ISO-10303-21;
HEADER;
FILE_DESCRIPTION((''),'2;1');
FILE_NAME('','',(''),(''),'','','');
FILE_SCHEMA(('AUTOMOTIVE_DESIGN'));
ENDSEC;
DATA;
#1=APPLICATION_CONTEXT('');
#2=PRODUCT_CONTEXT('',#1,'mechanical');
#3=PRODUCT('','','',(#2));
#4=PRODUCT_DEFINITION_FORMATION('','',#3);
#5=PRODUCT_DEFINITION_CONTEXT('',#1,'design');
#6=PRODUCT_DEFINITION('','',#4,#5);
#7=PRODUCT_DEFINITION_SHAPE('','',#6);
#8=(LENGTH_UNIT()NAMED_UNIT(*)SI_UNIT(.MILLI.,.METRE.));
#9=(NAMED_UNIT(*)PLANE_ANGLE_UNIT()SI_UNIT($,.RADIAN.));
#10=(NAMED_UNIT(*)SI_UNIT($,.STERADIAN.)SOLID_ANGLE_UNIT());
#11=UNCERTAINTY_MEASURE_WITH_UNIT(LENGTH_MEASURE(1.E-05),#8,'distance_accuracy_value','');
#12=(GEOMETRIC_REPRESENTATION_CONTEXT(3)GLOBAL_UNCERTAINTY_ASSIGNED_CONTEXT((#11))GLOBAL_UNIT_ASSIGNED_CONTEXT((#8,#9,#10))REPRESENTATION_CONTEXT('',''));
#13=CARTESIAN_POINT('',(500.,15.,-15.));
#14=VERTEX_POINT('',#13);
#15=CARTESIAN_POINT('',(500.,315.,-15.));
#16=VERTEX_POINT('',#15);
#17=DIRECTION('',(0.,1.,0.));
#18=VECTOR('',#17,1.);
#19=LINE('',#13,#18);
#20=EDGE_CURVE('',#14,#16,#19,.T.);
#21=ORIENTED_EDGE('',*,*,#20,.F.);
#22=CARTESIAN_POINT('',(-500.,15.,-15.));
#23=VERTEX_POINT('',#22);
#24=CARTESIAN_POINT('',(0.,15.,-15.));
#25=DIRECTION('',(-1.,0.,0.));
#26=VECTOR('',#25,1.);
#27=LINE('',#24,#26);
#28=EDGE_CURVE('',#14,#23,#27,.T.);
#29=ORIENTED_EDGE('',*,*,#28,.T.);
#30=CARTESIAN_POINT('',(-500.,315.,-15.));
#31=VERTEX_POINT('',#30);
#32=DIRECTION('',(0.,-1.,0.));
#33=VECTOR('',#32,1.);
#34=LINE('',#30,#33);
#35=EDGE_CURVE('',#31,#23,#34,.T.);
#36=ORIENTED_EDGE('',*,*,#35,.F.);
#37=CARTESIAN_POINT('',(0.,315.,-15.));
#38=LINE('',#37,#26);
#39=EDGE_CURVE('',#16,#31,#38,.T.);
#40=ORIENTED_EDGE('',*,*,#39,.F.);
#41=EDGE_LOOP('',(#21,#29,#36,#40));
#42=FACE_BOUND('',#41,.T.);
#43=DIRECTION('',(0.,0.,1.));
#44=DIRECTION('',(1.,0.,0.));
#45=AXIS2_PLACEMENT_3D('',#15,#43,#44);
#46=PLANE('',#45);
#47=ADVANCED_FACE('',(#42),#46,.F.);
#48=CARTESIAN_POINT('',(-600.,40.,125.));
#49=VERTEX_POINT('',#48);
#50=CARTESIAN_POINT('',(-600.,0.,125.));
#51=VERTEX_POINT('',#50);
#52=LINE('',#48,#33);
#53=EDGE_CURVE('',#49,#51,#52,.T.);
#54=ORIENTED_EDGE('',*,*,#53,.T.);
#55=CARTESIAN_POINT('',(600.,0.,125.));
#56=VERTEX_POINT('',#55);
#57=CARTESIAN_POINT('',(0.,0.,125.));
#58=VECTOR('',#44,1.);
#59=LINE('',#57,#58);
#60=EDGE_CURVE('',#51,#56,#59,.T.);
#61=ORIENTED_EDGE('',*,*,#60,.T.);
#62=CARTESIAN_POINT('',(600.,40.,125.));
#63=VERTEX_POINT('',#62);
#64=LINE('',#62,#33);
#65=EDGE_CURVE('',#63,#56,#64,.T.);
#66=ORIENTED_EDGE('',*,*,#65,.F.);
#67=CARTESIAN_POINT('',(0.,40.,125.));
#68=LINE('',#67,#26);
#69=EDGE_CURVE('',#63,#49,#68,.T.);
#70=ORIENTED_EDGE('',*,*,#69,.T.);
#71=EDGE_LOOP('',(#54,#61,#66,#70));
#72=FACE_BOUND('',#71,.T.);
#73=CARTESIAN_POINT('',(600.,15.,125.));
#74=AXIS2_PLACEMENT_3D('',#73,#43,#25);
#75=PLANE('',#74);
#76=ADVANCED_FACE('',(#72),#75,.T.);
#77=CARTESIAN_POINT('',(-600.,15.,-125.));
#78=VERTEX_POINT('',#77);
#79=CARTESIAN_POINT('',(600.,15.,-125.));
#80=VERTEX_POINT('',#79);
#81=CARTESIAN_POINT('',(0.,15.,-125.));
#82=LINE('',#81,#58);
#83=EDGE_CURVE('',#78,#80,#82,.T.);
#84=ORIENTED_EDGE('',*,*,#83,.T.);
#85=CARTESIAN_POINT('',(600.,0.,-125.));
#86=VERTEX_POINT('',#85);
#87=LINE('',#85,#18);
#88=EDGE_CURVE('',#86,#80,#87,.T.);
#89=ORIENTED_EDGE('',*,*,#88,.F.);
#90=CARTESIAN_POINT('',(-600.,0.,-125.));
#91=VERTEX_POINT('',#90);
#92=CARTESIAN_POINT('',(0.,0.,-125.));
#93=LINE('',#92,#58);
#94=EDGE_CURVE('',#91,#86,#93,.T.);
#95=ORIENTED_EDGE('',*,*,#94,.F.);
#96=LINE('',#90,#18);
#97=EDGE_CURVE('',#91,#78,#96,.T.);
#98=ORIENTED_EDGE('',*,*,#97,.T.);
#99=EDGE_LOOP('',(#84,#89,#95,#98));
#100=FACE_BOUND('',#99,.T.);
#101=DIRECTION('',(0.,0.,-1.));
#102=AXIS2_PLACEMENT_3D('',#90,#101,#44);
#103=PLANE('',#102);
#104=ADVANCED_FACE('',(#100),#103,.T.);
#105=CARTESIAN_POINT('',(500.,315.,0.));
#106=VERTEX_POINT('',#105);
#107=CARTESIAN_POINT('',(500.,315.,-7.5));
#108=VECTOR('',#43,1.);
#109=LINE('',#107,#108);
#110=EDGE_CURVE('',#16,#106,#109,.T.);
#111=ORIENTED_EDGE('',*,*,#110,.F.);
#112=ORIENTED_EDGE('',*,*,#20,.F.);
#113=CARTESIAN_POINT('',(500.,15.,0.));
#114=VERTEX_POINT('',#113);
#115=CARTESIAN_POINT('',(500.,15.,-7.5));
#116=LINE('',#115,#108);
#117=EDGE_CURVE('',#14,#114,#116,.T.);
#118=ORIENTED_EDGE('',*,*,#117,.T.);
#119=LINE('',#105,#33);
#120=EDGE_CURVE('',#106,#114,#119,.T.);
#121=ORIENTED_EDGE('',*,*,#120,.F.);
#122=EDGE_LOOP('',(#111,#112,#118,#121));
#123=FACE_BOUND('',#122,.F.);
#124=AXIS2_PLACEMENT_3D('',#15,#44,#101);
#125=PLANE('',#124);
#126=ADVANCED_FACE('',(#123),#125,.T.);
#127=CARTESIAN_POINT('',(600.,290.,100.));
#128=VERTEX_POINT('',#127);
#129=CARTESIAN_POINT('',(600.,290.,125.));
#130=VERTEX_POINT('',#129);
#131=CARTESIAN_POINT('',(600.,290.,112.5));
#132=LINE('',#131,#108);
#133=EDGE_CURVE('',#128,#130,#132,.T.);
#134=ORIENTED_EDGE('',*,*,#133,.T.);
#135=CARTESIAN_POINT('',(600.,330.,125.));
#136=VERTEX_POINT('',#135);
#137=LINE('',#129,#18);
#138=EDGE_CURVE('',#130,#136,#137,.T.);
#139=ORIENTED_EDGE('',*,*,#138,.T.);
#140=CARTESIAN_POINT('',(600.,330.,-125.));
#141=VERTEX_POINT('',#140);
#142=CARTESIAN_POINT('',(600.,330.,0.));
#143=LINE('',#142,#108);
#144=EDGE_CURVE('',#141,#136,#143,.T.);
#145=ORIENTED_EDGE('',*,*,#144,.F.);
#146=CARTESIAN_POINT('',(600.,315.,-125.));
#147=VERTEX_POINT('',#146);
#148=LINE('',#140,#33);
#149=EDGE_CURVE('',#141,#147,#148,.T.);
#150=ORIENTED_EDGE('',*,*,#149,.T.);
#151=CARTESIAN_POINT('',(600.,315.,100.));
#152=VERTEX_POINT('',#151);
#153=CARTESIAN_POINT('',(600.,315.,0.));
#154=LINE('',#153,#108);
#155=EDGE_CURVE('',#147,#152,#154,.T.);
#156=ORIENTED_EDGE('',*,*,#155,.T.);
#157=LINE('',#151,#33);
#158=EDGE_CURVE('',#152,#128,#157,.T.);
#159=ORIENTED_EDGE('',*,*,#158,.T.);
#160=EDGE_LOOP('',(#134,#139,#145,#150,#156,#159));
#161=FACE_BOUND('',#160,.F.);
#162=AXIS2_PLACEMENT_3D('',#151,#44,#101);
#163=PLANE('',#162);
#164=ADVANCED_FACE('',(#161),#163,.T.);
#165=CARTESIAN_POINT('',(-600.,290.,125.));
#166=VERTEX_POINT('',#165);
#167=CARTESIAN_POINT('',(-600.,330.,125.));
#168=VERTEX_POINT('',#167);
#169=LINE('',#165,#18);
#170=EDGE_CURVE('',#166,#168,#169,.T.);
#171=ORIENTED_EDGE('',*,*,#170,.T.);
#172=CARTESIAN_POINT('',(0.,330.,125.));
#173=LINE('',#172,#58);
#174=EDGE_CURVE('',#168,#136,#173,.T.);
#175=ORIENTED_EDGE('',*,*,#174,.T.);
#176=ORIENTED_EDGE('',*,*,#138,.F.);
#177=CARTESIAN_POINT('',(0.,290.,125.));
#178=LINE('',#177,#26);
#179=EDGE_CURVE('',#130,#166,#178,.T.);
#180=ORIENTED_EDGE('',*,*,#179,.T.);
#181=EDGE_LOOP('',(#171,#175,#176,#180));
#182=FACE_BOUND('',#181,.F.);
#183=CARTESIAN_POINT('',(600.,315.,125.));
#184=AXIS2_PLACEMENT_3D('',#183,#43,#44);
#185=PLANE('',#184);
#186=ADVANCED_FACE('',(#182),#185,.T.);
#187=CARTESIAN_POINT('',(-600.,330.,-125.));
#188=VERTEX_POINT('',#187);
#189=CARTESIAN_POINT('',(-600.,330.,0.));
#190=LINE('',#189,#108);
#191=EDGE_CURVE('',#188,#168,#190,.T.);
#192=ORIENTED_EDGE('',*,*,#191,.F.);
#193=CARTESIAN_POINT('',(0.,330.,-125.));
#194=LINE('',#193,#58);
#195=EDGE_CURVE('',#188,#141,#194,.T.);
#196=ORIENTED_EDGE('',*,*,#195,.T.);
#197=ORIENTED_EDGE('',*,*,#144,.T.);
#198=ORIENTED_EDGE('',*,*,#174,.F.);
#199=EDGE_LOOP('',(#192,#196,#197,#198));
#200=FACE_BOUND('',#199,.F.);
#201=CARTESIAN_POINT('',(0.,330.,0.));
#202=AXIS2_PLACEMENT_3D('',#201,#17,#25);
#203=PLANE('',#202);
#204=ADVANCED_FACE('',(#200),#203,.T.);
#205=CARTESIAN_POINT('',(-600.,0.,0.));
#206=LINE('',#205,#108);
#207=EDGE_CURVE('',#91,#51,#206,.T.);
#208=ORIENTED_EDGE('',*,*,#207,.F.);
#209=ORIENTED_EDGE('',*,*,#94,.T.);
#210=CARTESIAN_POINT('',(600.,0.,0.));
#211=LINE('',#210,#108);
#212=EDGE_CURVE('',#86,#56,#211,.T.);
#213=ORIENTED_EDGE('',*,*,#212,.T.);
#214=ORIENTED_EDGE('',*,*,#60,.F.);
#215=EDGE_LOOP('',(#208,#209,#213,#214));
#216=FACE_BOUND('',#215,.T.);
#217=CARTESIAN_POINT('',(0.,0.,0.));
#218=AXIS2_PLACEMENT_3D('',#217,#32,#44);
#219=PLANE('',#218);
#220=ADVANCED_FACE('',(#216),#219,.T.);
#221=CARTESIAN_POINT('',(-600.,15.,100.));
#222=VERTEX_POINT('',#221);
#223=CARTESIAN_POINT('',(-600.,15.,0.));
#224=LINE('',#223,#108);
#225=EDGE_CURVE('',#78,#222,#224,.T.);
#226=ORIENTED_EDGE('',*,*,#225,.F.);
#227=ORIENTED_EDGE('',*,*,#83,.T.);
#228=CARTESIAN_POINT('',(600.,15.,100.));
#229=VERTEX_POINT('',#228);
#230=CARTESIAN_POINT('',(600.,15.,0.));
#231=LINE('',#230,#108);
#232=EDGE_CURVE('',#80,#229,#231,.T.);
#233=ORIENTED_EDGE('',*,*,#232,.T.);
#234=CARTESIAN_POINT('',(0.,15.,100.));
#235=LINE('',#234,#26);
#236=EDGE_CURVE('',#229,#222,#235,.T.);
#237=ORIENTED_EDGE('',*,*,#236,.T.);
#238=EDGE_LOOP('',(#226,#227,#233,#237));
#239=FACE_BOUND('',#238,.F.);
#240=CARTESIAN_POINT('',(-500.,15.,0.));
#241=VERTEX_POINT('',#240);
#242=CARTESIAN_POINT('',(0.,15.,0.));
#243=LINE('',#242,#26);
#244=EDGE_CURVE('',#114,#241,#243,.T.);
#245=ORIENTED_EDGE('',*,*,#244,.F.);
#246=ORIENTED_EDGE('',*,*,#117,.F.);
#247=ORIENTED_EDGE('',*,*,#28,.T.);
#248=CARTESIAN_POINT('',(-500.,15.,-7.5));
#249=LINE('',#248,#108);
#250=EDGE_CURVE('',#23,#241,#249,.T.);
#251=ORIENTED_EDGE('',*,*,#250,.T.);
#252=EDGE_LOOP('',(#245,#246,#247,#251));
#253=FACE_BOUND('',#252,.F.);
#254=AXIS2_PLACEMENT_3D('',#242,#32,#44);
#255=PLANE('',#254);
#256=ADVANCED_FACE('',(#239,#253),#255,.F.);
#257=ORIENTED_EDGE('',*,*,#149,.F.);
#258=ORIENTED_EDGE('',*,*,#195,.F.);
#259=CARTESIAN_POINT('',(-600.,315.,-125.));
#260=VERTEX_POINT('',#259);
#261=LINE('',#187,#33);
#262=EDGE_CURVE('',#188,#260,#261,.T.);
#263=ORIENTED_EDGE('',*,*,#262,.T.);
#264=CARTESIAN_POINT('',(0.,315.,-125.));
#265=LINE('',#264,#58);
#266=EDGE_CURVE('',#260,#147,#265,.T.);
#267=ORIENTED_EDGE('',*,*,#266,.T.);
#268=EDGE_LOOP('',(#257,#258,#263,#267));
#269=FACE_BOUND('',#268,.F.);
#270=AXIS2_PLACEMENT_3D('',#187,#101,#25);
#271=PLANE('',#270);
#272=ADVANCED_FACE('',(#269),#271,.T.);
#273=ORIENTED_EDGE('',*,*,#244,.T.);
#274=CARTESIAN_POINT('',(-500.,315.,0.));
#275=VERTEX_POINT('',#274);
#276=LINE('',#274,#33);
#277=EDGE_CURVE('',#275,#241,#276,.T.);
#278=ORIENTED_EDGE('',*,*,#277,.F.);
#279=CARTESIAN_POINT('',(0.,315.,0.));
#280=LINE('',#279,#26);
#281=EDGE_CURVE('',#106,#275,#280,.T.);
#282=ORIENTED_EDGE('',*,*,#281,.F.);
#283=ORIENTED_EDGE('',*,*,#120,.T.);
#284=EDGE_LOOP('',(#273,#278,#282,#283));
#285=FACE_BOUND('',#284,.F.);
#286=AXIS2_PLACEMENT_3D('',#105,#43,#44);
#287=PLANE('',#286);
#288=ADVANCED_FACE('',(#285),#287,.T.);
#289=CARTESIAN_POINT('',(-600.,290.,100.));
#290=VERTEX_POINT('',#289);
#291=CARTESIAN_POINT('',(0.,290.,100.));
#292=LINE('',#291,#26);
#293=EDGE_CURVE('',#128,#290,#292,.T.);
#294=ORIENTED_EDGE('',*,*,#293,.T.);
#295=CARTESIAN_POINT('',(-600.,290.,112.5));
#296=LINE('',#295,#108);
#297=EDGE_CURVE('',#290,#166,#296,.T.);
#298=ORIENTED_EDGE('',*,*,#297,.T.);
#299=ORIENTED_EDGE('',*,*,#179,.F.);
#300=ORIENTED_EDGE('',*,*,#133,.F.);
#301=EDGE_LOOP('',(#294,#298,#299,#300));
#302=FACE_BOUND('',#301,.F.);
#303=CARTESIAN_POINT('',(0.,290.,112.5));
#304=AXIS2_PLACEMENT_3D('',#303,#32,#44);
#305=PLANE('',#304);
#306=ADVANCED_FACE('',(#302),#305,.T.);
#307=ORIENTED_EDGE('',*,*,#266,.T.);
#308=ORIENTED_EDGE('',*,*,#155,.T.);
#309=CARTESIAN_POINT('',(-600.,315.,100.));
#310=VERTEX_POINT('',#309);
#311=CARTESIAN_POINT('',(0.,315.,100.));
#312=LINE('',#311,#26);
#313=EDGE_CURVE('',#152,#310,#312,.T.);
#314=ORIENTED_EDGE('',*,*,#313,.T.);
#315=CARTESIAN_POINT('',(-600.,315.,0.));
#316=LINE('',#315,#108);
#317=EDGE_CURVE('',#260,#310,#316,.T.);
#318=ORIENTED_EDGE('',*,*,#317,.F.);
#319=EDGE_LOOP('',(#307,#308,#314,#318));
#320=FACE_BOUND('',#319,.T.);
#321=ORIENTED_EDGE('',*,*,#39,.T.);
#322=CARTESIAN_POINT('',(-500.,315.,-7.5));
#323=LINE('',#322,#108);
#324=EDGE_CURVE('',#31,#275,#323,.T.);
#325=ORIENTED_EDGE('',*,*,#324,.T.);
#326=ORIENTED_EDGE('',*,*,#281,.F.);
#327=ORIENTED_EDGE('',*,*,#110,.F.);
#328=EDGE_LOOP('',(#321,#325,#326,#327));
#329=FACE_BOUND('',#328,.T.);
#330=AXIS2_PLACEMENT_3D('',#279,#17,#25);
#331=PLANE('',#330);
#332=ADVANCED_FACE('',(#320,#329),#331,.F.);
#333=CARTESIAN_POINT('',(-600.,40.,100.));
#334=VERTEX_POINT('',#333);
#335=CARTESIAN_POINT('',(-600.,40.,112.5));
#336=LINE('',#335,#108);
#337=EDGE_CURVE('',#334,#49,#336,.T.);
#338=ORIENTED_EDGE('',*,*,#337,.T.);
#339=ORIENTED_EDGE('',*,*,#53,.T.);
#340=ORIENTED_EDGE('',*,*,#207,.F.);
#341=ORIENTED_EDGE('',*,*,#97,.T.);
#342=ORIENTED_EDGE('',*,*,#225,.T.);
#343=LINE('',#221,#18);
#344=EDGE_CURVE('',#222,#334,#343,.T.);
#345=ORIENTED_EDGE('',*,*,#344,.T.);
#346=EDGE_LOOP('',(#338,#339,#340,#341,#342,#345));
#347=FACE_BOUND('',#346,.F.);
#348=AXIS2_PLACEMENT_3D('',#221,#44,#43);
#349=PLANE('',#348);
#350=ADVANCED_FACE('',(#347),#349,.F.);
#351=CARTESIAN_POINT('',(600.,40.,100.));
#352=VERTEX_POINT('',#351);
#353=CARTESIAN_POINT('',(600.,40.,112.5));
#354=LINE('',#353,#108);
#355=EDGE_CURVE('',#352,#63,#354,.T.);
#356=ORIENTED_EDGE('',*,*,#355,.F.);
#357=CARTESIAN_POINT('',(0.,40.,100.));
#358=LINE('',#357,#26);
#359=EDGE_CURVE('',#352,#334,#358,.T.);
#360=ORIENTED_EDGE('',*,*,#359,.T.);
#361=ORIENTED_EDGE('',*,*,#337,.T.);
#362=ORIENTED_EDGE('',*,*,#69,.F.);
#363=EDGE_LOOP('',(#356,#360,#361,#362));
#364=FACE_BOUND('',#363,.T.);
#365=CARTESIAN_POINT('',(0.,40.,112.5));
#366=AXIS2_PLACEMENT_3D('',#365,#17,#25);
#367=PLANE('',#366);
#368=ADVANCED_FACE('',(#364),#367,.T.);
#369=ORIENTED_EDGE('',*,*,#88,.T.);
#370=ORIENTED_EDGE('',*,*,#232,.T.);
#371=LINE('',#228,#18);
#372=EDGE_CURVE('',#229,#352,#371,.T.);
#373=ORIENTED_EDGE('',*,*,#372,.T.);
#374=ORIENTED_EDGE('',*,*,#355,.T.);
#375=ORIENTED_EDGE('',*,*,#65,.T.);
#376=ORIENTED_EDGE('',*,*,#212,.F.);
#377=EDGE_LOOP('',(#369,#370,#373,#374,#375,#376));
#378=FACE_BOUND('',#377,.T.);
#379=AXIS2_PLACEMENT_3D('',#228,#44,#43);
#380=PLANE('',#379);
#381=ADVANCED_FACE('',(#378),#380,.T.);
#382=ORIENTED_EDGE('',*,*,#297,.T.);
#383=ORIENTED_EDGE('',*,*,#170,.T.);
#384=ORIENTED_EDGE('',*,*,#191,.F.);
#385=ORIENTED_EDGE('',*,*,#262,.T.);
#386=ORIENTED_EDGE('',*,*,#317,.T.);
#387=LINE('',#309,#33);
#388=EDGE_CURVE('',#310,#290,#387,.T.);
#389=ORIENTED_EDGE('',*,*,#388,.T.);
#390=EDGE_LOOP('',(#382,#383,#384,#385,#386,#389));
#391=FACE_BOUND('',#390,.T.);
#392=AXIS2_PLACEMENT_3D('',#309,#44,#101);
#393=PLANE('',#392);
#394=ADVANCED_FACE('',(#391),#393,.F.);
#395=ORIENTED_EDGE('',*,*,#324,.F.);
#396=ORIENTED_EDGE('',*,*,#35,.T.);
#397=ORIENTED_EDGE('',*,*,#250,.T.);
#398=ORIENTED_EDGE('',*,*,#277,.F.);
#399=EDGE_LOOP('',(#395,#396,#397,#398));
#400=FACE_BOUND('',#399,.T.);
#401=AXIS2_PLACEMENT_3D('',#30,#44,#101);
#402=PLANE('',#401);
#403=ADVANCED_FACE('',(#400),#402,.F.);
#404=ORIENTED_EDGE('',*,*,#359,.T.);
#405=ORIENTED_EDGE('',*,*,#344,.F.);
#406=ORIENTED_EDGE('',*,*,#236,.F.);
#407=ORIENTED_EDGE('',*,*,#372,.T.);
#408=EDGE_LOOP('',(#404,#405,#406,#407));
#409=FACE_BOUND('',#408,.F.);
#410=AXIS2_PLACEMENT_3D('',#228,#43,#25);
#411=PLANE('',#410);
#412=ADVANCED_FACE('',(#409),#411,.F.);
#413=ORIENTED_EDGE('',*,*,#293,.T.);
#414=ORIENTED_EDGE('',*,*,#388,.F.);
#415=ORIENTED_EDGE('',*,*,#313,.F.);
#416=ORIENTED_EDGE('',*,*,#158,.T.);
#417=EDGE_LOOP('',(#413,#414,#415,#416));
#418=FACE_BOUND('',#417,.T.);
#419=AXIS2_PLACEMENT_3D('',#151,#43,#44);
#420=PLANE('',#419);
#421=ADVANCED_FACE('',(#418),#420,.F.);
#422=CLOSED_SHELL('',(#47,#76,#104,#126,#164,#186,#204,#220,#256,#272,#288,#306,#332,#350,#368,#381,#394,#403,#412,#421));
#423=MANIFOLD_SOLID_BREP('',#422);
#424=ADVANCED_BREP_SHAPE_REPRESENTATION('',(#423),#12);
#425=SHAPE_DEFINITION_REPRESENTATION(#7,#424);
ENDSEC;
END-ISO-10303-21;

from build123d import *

# Parameters (mm, degrees)
F0_W     = 1200
F0_H     = 250
F1_DEPTH = 15
F2_W     = 1200
F2_H     = 25
F3_DEPTH = 25
F4_W     = 1000
F4_H     = 15
F5_DEPTH = 150


with BuildPart() as f1:
    # F0 (on Front) → F1 (new body)
    with BuildSketch(Plane.XZ):
        Rectangle(F0_W, F0_H)
    extrude(amount=-F1_DEPTH)

    # F2 (on face) → F3 (join)
    with BuildSketch(Plane(origin=(0, 15, 0), x_dir=(-1, 0, 0), z_dir=(0, 1, 0))):
        with Locations((0, 112.5)):
            Rectangle(F2_W, F2_H)
    extrude(amount=F3_DEPTH)

    # F4 (on face) → F5 (join)
    with BuildSketch(Plane(origin=(0, 15, 0), x_dir=(-1, 0, 0), z_dir=(0, 1, 0))):
        with Locations((0, -7.5)):
            Rectangle(F4_W, F4_H)
    extrude(amount=F5_DEPTH)

    # F6: F1 across face


with BuildPart() as f1_1:
    add(f1.part)
    add(f1.part.mirror(Plane(origin=(0, 165, -7.5), x_dir=(-1, 0, 0), z_dir=(0, 1, 0))))


solid = f1_1.part
